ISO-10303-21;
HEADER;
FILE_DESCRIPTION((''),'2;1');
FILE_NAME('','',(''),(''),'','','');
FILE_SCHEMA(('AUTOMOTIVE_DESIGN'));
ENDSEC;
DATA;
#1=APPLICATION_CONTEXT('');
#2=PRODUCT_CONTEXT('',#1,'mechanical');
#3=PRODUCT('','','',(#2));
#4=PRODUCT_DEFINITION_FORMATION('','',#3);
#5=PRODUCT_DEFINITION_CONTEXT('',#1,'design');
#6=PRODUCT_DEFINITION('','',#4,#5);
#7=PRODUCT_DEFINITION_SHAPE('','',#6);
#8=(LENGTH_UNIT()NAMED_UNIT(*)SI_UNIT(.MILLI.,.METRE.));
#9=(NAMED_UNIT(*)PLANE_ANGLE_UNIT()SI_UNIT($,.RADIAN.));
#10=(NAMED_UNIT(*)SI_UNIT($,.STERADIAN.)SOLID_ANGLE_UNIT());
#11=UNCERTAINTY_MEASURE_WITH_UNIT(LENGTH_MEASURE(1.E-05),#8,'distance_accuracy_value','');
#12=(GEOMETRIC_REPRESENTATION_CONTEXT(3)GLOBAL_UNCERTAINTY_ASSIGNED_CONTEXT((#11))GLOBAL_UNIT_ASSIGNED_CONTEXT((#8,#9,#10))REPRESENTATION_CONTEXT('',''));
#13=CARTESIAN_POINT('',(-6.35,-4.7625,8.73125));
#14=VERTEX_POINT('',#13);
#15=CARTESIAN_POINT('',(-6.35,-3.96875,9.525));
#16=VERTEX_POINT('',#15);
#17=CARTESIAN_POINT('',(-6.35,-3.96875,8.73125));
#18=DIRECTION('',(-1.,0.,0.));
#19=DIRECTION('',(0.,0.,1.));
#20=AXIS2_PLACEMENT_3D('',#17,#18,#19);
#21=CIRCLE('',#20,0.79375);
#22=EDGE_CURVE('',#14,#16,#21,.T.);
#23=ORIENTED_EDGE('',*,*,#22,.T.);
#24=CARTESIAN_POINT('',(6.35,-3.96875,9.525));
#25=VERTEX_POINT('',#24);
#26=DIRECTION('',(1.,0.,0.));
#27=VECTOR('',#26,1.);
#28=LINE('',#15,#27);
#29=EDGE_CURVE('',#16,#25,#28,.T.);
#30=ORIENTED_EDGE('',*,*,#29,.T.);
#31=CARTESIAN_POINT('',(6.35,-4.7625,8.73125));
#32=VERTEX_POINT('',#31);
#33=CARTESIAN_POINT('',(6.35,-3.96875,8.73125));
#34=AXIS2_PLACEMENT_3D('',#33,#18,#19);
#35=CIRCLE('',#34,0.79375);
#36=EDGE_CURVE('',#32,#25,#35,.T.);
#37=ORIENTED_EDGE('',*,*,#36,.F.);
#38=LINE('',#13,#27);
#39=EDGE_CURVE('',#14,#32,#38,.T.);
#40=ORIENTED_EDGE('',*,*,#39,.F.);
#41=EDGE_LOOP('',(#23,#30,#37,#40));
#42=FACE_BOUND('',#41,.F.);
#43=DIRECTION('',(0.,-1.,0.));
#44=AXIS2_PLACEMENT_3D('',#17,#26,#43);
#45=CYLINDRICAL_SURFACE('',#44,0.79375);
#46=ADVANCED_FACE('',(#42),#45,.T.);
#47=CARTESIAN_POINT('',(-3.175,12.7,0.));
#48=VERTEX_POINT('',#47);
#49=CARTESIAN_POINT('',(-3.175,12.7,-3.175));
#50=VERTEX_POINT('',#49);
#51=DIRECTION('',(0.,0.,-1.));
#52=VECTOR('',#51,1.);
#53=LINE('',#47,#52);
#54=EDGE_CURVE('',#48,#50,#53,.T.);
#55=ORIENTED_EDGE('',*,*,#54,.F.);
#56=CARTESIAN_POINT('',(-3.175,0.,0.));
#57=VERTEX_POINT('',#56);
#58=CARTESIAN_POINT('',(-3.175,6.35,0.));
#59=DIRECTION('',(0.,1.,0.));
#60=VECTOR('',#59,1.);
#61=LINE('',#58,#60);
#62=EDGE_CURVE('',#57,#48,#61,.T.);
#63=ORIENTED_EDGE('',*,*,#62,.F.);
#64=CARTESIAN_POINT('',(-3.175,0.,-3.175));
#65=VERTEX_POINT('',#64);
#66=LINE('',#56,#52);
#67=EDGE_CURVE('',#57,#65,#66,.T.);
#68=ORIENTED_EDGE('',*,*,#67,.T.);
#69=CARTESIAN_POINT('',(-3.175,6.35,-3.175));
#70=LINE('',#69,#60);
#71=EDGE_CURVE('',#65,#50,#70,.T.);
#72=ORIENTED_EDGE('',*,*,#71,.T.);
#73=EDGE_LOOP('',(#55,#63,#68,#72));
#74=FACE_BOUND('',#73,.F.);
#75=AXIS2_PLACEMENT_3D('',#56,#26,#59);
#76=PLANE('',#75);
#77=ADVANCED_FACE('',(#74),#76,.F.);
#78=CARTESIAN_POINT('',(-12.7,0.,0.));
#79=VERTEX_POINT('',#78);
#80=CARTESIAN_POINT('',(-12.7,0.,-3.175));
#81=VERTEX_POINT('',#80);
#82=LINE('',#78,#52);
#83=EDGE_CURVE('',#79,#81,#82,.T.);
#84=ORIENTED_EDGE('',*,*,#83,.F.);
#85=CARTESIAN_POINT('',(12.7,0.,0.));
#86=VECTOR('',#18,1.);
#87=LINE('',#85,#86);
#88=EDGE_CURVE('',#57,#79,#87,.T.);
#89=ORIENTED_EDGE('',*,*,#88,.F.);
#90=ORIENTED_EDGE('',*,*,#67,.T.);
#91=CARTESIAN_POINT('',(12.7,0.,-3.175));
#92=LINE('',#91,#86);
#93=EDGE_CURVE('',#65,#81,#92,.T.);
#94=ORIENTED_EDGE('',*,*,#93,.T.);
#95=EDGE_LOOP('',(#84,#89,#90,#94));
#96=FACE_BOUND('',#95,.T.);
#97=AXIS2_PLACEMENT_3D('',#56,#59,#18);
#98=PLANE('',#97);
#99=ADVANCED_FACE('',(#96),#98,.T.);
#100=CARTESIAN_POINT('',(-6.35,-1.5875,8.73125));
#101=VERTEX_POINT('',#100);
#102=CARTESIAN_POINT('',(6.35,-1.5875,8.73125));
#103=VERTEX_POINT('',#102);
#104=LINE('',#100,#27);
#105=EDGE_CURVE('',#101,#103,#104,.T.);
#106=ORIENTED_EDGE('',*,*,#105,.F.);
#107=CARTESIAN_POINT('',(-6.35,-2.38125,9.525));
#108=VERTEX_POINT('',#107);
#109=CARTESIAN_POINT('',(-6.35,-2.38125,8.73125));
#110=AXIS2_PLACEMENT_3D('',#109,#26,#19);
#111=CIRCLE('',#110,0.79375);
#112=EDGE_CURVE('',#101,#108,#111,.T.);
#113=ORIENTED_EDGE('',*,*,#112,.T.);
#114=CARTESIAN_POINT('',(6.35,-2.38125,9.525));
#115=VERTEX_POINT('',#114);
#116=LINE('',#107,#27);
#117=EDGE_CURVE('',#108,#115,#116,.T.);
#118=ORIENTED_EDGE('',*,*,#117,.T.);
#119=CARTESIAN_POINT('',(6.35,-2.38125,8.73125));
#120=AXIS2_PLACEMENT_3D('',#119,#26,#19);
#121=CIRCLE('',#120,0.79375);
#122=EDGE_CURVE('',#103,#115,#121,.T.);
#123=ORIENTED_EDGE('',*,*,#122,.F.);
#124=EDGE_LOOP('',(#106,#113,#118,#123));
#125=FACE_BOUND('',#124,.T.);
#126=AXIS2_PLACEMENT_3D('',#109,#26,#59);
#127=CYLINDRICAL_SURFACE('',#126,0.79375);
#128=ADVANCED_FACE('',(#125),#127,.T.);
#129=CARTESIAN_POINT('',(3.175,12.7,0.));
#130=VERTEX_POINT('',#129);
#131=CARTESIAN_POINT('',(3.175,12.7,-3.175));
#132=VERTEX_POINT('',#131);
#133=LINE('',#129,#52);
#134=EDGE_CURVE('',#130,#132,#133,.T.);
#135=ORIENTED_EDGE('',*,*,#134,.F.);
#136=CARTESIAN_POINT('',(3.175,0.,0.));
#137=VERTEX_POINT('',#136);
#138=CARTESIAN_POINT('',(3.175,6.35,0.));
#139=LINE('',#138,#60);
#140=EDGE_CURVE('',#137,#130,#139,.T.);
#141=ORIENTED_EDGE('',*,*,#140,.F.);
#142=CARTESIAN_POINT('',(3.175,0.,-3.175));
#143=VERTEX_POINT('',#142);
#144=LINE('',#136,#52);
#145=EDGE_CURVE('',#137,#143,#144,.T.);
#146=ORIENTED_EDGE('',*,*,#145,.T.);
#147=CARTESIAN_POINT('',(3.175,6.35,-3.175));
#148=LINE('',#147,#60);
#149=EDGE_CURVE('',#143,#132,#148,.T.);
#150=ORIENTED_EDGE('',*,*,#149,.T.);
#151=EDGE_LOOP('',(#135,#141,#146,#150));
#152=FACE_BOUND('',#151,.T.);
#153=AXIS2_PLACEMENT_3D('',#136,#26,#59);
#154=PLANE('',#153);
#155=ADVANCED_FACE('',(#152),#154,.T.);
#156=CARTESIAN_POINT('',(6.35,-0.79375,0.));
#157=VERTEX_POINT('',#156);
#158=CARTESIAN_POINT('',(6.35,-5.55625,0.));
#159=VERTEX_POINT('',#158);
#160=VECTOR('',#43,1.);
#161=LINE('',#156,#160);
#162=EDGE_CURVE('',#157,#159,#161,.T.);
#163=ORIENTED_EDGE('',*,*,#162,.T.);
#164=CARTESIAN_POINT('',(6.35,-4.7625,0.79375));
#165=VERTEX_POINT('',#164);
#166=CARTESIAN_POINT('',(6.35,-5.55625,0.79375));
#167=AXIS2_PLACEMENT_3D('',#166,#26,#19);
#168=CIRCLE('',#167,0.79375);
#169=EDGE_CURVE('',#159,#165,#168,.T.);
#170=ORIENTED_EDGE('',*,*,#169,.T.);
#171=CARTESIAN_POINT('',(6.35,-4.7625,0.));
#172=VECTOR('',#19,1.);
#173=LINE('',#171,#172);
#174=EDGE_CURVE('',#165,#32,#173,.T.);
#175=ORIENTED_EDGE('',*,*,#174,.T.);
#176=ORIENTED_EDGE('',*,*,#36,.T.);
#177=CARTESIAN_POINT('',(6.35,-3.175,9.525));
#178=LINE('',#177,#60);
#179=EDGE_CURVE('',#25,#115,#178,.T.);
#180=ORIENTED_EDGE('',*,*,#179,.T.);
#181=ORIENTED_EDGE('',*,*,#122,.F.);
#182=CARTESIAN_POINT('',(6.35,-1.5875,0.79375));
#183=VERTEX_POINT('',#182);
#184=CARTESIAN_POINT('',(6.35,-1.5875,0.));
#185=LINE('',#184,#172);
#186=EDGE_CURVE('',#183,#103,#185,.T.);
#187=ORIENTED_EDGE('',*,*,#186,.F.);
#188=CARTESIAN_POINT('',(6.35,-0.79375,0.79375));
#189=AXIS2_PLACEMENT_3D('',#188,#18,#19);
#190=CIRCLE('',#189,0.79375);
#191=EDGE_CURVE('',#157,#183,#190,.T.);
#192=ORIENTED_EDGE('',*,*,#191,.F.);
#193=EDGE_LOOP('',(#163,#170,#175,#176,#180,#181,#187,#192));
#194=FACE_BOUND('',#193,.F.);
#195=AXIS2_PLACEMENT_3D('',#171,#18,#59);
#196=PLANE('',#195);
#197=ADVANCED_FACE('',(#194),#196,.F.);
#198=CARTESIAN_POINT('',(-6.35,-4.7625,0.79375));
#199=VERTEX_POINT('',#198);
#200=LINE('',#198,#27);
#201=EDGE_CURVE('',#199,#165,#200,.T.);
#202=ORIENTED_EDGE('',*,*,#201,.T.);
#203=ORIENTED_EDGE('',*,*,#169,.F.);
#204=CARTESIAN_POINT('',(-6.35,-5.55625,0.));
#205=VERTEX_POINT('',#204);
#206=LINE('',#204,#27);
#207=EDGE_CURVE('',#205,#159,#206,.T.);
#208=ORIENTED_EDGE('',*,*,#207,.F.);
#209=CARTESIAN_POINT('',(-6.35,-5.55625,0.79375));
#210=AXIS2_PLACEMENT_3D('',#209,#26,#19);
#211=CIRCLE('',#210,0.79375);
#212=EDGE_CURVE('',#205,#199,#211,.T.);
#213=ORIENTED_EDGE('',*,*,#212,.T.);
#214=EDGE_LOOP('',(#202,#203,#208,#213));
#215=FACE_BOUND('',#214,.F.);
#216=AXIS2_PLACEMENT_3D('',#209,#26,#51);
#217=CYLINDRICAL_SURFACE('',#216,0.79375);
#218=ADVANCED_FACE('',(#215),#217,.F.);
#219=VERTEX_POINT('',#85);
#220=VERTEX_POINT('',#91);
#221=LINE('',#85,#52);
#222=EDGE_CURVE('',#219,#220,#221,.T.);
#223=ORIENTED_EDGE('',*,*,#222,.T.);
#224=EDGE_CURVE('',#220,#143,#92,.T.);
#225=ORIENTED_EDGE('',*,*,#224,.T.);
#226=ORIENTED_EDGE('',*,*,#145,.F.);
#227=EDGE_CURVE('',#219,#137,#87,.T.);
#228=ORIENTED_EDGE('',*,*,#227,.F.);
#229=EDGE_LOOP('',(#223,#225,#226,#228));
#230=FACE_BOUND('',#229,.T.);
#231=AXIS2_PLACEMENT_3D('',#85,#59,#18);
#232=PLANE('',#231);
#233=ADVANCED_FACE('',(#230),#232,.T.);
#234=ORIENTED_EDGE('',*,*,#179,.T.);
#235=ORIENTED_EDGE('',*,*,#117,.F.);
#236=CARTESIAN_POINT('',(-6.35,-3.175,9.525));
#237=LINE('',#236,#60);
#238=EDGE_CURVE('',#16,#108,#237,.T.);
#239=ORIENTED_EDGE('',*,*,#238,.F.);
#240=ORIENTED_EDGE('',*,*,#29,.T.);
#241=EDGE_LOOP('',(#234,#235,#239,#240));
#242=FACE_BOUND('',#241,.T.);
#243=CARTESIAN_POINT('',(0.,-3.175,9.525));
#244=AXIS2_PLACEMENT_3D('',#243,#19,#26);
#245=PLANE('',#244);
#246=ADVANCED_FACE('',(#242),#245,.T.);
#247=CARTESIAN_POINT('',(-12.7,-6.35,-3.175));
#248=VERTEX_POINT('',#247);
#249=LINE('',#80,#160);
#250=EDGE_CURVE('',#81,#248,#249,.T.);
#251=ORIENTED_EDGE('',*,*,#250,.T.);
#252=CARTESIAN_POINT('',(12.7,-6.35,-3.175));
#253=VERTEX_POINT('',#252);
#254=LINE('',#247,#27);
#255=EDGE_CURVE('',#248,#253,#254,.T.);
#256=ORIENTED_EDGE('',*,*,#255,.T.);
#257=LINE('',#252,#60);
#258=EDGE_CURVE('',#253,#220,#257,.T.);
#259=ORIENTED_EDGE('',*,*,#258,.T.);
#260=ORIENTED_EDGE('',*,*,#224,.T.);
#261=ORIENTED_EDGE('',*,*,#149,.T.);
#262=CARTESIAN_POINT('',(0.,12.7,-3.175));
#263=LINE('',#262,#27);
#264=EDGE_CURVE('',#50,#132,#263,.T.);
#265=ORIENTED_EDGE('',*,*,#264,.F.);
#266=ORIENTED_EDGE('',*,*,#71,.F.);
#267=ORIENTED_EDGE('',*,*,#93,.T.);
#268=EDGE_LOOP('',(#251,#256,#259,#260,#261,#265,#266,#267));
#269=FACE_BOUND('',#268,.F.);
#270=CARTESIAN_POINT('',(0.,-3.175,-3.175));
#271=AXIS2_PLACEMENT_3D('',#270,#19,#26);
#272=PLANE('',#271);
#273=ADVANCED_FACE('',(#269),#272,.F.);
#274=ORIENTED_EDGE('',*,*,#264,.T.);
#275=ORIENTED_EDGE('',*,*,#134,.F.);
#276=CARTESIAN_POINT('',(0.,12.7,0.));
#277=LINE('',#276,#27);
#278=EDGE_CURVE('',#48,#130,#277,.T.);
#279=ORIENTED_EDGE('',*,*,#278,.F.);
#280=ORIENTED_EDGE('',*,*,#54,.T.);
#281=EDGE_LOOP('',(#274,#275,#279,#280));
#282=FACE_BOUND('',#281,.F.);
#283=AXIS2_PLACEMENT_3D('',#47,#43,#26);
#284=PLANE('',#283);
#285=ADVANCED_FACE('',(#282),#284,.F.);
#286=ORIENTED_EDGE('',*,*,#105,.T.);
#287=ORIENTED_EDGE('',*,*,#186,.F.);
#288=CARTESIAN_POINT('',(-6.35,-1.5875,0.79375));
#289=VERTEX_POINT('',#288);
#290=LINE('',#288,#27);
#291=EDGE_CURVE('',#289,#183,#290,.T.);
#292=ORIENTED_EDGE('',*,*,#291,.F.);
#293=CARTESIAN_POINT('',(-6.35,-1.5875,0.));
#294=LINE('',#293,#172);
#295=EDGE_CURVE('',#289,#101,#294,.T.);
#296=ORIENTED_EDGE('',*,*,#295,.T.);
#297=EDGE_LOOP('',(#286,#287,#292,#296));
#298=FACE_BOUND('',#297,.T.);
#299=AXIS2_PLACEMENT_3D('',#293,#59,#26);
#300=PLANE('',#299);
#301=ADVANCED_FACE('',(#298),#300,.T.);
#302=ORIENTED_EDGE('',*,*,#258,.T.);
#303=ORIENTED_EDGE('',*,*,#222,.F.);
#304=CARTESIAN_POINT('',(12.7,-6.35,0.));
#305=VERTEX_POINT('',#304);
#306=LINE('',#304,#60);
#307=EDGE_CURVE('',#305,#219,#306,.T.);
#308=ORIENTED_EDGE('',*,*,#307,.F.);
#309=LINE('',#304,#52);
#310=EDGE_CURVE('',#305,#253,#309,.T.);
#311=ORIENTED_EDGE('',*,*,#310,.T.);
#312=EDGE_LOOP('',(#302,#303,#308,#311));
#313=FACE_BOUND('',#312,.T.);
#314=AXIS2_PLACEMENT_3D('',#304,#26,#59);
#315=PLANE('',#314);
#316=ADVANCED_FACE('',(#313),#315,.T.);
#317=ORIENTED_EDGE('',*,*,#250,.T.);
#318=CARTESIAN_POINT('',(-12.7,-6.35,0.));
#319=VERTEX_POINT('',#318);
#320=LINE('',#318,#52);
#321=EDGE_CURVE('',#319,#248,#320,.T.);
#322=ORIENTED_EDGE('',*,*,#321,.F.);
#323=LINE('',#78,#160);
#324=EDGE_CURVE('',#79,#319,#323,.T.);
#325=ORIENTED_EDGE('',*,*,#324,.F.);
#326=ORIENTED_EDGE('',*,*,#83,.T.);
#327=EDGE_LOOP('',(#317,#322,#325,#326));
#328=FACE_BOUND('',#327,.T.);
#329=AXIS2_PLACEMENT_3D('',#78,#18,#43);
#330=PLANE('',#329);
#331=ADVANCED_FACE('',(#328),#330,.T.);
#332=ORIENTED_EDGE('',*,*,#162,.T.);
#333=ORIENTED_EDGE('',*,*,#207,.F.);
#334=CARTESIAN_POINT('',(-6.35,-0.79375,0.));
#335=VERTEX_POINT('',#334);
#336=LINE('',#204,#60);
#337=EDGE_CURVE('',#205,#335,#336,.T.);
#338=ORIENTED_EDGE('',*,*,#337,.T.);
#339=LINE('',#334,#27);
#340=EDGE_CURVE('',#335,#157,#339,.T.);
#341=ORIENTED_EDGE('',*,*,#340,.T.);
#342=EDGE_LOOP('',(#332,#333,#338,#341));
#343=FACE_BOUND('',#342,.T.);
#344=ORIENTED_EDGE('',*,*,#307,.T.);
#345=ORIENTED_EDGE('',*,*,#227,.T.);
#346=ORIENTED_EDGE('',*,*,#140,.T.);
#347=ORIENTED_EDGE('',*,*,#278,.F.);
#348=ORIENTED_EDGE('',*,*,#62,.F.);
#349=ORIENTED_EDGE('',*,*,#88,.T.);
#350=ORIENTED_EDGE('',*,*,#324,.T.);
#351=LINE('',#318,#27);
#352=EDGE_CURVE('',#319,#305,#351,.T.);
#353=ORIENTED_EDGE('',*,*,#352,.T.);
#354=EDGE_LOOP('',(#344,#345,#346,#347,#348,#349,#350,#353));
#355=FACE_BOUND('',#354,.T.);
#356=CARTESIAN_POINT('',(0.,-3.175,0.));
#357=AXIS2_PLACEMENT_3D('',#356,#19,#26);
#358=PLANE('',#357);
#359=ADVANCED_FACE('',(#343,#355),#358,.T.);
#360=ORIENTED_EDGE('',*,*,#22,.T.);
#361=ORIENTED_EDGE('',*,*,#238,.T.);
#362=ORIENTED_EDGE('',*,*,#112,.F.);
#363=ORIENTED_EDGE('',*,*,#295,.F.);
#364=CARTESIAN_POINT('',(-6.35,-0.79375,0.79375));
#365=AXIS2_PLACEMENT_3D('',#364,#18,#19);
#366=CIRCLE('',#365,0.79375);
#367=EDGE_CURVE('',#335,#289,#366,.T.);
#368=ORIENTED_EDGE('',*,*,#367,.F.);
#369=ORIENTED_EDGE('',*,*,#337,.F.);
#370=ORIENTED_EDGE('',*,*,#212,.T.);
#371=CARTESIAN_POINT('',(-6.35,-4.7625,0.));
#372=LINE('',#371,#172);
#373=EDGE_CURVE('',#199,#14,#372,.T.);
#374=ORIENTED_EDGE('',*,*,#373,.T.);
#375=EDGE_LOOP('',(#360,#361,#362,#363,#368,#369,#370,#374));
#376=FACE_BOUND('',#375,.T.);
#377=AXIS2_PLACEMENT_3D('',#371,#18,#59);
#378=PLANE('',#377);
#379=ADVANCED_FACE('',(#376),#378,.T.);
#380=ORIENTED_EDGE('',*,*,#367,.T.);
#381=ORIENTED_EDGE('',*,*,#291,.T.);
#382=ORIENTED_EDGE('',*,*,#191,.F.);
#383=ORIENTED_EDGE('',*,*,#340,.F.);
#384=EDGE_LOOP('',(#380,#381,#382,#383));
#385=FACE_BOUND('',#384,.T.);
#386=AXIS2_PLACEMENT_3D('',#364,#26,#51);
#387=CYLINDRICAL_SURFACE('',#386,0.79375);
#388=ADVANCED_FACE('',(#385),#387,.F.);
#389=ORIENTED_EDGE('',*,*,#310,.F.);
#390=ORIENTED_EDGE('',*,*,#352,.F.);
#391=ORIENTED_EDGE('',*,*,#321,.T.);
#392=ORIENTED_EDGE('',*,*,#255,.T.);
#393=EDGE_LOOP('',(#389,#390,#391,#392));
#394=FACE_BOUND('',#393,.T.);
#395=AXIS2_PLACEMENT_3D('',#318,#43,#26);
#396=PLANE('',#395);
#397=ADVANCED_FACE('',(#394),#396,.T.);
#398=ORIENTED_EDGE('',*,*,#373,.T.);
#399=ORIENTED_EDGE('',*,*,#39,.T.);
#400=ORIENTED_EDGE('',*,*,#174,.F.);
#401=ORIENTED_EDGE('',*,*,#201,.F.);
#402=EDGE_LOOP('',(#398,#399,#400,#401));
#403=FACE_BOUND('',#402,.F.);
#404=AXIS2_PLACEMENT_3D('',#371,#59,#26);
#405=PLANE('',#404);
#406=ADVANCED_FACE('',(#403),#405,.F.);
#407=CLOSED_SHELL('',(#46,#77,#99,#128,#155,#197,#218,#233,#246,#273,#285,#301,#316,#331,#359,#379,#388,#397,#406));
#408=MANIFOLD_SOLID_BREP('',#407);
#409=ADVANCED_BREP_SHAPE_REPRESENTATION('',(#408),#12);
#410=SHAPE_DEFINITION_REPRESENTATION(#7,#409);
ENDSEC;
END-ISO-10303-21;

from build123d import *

# Parameters (mm, degrees)
F0_W     = 12.7
F0_H     = 3.175
F0_W_2   = 6.35
F0_H_2   = 12.7
F1_DEPTH = 3.175
F2_DEPTH = 9.525
F3_R     = 0.79375


with BuildPart() as f1:
    # F0 (on Top) → F1 (new body)
    with BuildSketch(Plane.XY):
        Polygon((-3.175, 0), (-12.7, 0), (-12.7, -6.35), (12.7, -6.35), (12.7, 0), (3.175, 0), align=None)
        with Locations((0, -3.175)):
            Rectangle(F0_W, F0_H, mode=Mode.SUBTRACT)
        with Locations((0, -3.175)):
            Rectangle(F0_W, F0_H)
        with Locations((0, 6.35)):
            Rectangle(F0_W_2, F0_H_2)
    extrude(amount=-F1_DEPTH)

    # F0 (on Top) → F2 (join)
    with BuildSketch(Plane.XY):
        with Locations((0, -3.175)):
            Rectangle(F0_W, F0_H)
    extrude(amount=F2_DEPTH)

    # F3
    f3_edges = [f1.edges().sort_by_distance(p)[0] for p in [
        (0, -4.7625, 9.525),
        (0, -1.5875, 9.525),
        (0, -1.5875, 0),
        (0, -4.7625, 0),
    ]]
    fillet(f3_edges, radius=F3_R)


solid = f1.part
